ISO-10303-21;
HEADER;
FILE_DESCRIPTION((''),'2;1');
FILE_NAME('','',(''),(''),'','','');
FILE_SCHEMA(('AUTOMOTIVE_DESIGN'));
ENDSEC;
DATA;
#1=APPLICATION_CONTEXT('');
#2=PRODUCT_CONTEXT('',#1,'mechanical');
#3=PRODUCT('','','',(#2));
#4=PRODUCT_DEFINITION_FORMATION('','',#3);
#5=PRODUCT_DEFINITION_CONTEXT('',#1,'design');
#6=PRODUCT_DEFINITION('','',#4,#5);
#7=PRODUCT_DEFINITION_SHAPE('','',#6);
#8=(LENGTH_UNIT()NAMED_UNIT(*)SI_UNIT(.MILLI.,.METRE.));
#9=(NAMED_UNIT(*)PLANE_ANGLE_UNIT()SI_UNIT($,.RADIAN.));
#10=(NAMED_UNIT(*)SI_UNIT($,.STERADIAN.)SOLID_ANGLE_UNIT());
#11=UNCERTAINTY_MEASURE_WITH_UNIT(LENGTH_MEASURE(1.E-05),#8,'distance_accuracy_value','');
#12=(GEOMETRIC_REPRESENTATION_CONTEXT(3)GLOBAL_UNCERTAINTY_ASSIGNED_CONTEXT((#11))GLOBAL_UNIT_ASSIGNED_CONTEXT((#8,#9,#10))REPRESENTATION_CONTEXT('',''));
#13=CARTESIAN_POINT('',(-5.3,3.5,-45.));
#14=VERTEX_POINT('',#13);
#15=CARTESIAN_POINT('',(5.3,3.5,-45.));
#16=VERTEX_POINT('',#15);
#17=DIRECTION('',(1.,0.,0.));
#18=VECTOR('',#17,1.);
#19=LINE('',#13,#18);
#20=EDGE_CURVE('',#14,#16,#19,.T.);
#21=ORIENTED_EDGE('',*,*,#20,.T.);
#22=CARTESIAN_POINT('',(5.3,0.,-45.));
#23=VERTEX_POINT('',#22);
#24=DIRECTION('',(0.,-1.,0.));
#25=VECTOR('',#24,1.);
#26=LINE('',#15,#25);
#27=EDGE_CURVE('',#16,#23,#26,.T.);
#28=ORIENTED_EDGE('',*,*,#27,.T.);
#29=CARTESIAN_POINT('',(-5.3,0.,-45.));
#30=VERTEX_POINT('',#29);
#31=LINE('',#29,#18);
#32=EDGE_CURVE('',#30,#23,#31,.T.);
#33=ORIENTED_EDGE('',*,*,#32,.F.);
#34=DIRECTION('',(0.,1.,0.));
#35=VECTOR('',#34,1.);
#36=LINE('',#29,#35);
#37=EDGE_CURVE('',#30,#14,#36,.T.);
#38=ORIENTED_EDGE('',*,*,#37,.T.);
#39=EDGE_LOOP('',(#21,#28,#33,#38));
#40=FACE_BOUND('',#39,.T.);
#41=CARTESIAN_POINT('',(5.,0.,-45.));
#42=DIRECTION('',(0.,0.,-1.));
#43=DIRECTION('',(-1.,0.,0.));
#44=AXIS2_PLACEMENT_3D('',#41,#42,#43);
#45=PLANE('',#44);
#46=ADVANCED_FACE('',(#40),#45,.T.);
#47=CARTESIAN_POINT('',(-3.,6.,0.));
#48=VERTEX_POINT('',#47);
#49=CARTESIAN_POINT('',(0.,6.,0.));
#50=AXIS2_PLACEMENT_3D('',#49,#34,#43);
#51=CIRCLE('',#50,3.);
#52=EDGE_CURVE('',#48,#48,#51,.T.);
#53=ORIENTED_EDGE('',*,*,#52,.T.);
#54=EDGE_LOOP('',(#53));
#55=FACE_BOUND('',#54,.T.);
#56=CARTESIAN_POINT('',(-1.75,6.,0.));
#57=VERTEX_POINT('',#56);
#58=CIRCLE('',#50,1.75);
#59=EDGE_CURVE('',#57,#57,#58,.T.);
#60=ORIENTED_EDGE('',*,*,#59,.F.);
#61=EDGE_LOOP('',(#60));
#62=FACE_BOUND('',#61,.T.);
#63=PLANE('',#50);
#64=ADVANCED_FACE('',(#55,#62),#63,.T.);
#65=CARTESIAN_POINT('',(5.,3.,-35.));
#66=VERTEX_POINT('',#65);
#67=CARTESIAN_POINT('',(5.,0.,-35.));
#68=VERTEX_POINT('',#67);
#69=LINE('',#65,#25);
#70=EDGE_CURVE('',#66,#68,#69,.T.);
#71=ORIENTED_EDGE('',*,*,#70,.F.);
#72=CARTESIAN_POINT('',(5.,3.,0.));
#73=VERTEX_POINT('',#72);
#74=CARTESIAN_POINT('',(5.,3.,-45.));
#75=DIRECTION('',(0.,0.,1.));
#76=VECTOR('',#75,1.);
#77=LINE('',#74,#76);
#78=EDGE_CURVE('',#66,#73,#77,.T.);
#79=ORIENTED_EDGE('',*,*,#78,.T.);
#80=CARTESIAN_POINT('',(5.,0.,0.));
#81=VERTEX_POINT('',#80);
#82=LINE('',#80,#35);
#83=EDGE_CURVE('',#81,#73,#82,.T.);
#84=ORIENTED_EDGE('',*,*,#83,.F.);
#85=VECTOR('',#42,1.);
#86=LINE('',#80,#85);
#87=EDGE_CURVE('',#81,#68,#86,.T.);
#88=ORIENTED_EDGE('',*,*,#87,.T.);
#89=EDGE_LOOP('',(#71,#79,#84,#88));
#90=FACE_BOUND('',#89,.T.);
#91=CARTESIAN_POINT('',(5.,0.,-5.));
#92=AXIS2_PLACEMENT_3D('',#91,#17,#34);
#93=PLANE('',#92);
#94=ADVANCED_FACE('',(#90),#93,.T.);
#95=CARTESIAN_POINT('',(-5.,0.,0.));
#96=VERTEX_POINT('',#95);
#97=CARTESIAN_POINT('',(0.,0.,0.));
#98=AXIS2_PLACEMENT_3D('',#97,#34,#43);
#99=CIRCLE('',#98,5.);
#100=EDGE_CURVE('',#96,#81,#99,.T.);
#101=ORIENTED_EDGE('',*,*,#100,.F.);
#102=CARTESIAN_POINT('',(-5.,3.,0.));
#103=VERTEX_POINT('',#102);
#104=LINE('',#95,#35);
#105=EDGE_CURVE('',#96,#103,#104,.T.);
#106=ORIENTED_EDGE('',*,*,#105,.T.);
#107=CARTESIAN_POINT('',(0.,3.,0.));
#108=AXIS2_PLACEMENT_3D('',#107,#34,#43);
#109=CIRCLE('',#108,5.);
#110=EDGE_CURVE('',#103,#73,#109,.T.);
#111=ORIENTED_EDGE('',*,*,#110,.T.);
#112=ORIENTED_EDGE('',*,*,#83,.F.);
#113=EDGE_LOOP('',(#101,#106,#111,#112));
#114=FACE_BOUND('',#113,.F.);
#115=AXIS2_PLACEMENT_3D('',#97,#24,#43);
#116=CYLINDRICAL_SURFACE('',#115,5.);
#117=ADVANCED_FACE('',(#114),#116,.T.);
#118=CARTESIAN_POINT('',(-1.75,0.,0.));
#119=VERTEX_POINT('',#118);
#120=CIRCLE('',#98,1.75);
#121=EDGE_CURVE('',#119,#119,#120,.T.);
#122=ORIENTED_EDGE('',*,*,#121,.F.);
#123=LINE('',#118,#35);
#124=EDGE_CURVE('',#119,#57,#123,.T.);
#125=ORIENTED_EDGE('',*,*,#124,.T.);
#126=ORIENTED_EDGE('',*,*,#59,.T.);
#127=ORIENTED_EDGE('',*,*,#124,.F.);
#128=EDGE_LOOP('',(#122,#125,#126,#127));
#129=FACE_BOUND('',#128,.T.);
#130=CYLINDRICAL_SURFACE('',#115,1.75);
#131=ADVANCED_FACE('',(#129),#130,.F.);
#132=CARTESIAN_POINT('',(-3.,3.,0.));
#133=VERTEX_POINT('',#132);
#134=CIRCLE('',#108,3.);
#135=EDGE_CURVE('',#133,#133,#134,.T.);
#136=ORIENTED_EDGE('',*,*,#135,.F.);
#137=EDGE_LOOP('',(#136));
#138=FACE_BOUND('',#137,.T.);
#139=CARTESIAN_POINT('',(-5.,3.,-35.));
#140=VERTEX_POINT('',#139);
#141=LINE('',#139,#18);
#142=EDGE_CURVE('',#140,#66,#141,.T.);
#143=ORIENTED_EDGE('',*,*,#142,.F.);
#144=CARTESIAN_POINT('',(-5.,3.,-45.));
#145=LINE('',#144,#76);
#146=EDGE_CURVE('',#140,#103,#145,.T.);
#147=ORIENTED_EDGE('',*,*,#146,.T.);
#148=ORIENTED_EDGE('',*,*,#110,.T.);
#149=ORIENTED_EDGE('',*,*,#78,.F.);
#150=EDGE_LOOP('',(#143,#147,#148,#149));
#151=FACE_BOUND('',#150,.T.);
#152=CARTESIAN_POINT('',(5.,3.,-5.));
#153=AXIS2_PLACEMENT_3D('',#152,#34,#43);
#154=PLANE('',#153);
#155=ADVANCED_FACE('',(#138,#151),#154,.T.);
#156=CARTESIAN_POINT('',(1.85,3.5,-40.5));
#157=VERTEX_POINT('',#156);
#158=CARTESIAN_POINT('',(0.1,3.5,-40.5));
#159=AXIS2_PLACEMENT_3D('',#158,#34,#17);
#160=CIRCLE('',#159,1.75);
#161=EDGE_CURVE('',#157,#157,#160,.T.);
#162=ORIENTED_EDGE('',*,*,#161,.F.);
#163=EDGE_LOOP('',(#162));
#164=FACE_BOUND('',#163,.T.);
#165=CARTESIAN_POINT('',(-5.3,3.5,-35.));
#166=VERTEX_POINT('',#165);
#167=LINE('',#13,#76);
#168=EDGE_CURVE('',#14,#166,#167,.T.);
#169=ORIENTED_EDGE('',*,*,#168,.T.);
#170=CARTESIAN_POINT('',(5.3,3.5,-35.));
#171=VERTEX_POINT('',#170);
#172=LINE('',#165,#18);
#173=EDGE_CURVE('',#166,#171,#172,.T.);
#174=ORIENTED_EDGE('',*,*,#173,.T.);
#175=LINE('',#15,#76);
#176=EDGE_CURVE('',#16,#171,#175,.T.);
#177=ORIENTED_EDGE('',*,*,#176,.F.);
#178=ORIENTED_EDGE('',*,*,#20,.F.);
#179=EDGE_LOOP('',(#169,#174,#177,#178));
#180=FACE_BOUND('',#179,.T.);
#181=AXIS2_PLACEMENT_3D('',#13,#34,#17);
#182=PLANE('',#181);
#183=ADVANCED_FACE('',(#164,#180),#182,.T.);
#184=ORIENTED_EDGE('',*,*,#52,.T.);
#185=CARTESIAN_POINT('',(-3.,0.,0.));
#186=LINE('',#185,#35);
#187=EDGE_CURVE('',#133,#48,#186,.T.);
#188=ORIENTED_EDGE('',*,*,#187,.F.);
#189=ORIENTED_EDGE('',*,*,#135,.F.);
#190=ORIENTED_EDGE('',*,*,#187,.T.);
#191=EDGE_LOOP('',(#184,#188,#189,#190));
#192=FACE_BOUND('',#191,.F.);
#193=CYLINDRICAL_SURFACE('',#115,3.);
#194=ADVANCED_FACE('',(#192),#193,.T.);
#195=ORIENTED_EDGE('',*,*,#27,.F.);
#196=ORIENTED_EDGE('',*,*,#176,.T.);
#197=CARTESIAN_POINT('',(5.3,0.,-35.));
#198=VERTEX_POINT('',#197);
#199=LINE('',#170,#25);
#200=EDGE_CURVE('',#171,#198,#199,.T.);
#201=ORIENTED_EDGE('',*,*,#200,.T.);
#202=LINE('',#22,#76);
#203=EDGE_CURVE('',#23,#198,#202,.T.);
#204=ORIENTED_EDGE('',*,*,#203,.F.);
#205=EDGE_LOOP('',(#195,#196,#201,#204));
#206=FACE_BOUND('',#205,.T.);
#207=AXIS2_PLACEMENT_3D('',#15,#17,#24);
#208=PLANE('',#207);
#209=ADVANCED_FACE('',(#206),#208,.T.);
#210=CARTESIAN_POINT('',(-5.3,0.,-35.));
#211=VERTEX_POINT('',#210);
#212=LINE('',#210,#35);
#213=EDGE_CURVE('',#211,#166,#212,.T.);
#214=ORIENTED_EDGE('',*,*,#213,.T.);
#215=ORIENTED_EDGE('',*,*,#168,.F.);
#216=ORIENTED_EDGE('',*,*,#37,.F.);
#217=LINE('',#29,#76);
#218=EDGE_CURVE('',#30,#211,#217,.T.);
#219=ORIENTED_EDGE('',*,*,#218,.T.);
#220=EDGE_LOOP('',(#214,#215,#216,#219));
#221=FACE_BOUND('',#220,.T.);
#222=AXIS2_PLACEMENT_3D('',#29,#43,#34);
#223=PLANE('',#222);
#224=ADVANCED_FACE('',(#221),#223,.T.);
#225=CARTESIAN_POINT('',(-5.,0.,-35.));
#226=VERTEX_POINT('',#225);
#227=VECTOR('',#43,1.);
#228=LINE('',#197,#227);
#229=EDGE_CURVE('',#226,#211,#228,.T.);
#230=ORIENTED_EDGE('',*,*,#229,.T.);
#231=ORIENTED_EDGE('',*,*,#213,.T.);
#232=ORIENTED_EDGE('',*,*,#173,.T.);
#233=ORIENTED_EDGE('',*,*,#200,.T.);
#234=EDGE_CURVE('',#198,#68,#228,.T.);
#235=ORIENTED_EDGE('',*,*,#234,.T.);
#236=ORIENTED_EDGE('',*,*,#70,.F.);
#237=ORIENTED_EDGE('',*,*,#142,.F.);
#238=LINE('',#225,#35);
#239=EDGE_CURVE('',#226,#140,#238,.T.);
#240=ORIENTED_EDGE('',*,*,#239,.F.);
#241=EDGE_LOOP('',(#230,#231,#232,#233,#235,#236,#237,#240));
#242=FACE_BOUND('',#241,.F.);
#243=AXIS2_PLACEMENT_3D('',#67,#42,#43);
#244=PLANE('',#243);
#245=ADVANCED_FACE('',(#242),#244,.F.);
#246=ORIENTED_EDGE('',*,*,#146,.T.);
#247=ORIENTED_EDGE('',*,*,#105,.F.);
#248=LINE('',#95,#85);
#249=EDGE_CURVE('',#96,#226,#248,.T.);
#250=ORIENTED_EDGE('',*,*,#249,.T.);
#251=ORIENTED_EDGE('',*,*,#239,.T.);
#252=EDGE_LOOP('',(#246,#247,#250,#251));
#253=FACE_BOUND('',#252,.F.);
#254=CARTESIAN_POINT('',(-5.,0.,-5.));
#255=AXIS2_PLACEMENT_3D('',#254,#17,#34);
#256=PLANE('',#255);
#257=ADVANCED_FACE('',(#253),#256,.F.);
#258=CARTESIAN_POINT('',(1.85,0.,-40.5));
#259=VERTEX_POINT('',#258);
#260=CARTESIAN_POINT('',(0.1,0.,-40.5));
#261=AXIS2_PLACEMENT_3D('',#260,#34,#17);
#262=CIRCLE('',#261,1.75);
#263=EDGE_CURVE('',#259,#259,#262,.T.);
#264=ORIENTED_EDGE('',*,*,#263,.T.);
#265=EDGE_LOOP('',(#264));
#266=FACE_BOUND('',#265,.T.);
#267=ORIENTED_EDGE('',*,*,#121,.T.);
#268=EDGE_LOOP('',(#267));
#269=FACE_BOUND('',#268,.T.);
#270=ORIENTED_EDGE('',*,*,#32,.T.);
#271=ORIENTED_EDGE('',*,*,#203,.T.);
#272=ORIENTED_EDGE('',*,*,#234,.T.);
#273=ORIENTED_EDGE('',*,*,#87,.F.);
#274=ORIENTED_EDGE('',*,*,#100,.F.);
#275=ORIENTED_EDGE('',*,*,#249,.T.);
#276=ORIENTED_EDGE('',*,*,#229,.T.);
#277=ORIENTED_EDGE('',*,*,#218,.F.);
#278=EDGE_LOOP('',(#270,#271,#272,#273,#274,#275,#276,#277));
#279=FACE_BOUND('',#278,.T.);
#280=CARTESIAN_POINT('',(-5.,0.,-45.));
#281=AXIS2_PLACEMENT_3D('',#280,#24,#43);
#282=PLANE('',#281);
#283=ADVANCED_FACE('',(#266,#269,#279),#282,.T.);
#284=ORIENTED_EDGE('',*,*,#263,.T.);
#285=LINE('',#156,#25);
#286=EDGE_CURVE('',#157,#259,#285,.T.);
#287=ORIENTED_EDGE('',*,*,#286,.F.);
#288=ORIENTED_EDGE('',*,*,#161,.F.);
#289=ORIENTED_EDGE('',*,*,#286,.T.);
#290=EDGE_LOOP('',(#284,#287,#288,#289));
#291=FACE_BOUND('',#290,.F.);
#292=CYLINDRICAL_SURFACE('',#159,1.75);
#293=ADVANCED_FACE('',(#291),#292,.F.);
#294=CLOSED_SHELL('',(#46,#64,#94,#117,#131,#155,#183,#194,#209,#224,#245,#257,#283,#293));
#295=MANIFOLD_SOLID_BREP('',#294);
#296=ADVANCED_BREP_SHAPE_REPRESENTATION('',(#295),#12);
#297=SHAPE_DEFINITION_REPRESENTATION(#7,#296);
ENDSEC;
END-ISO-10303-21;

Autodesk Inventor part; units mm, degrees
ref_plane "YZ Plane" through (0, 0, 0) normal (1, 0, 0) x (0, 1, 0)
ref_plane "XZ Plane" through (0, 0, 0) normal (0, 1, 0) x (-1, 0, 0)
ref_plane "XY Plane" through (0, 0, 0) normal (0, 0, 1) x (1, 0, 0)
sketch "Sketch1" plane through (0, 0, 0) normal (0, 1, 0) x (-1, 0, 0)
  circle A0 centre (0, 0) radius 1.75
  arc A1 (5, 0) -> (-5, 0) centre (0, 0) ccw
  circle A2 centre (0, 0) radius 3
  line L0 (5, 0) -> (5, -5)
  line L1 (5, -5) -> (-5, -5)
  line L2 (-5, 0) -> (-5, -5)
  dimension "d0" = 3.5
  dimension "d1" = 10
  dimension "d2" = 6
extrude "Extrusion1" add sketch "Sketch1" along normal blind 3 contours L0 L1 L2 A1
extrude "bearing-distance-holder" add sketch "Sketch1" along normal blind 6 contours A2
sketch "Sketch2" plane through (5, 0, -5) normal (0, 0, -1) x (-1, 0, 0)
  line L0 (0, 0) -> (10, 0) projected
  line L1 (10, 0) -> (10, 3) projected
  line L2 (0, 3) -> (10, 3) projected
  line L3 (0, 0) -> (0, 3) projected
  point P0 (5, 0)
extrude "L" add sketch "Sketch2" along normal blind 40
sketch "Sketch6" plane through (5, 0, -45) normal (0, 0, -1) x (-1, 0, 0)
  line L0 (10.3, 3.5) -> (-0.3, 3.5)
  line L1 (-0.3, 3.5) -> (-0.3, 0)
  line L2 (-0.3, 0) -> (10.3, 0)
  line L3 (10.3, 0) -> (10.3, 3.5)
  line L4 (10, 0) -> (10, 3) projected
  line L5 (0, 0) -> (10, 0) projected
  line L6 (10, 3) -> (0, 3) projected
  line L7 (0, 3) -> (0, 0) projected
  point P0 (5, 0)
  dimension "d20" = 0.3
  dimension "d21" = 0
  dimension "d22" = 0.5
  dimension "d23" = 0.3
extrude "Extrusion7" add sketch "Sketch6" against normal blind 10 contours L3 L2 L4 L6 L7 L1 L0
sketch "Sketch5" plane through (0.1, 3.5, 0) normal (0, 1, 0) x (1, 0, 0)
  circle A0 centre (0, 40.5) radius 1.75
  line L0 (-5, 45) -> (5, 45) projected
  point P0 (-0.1, 0)
  dimension "d16" = 4.5
  dimension "d17" = 3.5
extrude "Extrusion8" cut sketch "Sketch5" along normal mid plane 10
properties part number "connecting-rod-40"
